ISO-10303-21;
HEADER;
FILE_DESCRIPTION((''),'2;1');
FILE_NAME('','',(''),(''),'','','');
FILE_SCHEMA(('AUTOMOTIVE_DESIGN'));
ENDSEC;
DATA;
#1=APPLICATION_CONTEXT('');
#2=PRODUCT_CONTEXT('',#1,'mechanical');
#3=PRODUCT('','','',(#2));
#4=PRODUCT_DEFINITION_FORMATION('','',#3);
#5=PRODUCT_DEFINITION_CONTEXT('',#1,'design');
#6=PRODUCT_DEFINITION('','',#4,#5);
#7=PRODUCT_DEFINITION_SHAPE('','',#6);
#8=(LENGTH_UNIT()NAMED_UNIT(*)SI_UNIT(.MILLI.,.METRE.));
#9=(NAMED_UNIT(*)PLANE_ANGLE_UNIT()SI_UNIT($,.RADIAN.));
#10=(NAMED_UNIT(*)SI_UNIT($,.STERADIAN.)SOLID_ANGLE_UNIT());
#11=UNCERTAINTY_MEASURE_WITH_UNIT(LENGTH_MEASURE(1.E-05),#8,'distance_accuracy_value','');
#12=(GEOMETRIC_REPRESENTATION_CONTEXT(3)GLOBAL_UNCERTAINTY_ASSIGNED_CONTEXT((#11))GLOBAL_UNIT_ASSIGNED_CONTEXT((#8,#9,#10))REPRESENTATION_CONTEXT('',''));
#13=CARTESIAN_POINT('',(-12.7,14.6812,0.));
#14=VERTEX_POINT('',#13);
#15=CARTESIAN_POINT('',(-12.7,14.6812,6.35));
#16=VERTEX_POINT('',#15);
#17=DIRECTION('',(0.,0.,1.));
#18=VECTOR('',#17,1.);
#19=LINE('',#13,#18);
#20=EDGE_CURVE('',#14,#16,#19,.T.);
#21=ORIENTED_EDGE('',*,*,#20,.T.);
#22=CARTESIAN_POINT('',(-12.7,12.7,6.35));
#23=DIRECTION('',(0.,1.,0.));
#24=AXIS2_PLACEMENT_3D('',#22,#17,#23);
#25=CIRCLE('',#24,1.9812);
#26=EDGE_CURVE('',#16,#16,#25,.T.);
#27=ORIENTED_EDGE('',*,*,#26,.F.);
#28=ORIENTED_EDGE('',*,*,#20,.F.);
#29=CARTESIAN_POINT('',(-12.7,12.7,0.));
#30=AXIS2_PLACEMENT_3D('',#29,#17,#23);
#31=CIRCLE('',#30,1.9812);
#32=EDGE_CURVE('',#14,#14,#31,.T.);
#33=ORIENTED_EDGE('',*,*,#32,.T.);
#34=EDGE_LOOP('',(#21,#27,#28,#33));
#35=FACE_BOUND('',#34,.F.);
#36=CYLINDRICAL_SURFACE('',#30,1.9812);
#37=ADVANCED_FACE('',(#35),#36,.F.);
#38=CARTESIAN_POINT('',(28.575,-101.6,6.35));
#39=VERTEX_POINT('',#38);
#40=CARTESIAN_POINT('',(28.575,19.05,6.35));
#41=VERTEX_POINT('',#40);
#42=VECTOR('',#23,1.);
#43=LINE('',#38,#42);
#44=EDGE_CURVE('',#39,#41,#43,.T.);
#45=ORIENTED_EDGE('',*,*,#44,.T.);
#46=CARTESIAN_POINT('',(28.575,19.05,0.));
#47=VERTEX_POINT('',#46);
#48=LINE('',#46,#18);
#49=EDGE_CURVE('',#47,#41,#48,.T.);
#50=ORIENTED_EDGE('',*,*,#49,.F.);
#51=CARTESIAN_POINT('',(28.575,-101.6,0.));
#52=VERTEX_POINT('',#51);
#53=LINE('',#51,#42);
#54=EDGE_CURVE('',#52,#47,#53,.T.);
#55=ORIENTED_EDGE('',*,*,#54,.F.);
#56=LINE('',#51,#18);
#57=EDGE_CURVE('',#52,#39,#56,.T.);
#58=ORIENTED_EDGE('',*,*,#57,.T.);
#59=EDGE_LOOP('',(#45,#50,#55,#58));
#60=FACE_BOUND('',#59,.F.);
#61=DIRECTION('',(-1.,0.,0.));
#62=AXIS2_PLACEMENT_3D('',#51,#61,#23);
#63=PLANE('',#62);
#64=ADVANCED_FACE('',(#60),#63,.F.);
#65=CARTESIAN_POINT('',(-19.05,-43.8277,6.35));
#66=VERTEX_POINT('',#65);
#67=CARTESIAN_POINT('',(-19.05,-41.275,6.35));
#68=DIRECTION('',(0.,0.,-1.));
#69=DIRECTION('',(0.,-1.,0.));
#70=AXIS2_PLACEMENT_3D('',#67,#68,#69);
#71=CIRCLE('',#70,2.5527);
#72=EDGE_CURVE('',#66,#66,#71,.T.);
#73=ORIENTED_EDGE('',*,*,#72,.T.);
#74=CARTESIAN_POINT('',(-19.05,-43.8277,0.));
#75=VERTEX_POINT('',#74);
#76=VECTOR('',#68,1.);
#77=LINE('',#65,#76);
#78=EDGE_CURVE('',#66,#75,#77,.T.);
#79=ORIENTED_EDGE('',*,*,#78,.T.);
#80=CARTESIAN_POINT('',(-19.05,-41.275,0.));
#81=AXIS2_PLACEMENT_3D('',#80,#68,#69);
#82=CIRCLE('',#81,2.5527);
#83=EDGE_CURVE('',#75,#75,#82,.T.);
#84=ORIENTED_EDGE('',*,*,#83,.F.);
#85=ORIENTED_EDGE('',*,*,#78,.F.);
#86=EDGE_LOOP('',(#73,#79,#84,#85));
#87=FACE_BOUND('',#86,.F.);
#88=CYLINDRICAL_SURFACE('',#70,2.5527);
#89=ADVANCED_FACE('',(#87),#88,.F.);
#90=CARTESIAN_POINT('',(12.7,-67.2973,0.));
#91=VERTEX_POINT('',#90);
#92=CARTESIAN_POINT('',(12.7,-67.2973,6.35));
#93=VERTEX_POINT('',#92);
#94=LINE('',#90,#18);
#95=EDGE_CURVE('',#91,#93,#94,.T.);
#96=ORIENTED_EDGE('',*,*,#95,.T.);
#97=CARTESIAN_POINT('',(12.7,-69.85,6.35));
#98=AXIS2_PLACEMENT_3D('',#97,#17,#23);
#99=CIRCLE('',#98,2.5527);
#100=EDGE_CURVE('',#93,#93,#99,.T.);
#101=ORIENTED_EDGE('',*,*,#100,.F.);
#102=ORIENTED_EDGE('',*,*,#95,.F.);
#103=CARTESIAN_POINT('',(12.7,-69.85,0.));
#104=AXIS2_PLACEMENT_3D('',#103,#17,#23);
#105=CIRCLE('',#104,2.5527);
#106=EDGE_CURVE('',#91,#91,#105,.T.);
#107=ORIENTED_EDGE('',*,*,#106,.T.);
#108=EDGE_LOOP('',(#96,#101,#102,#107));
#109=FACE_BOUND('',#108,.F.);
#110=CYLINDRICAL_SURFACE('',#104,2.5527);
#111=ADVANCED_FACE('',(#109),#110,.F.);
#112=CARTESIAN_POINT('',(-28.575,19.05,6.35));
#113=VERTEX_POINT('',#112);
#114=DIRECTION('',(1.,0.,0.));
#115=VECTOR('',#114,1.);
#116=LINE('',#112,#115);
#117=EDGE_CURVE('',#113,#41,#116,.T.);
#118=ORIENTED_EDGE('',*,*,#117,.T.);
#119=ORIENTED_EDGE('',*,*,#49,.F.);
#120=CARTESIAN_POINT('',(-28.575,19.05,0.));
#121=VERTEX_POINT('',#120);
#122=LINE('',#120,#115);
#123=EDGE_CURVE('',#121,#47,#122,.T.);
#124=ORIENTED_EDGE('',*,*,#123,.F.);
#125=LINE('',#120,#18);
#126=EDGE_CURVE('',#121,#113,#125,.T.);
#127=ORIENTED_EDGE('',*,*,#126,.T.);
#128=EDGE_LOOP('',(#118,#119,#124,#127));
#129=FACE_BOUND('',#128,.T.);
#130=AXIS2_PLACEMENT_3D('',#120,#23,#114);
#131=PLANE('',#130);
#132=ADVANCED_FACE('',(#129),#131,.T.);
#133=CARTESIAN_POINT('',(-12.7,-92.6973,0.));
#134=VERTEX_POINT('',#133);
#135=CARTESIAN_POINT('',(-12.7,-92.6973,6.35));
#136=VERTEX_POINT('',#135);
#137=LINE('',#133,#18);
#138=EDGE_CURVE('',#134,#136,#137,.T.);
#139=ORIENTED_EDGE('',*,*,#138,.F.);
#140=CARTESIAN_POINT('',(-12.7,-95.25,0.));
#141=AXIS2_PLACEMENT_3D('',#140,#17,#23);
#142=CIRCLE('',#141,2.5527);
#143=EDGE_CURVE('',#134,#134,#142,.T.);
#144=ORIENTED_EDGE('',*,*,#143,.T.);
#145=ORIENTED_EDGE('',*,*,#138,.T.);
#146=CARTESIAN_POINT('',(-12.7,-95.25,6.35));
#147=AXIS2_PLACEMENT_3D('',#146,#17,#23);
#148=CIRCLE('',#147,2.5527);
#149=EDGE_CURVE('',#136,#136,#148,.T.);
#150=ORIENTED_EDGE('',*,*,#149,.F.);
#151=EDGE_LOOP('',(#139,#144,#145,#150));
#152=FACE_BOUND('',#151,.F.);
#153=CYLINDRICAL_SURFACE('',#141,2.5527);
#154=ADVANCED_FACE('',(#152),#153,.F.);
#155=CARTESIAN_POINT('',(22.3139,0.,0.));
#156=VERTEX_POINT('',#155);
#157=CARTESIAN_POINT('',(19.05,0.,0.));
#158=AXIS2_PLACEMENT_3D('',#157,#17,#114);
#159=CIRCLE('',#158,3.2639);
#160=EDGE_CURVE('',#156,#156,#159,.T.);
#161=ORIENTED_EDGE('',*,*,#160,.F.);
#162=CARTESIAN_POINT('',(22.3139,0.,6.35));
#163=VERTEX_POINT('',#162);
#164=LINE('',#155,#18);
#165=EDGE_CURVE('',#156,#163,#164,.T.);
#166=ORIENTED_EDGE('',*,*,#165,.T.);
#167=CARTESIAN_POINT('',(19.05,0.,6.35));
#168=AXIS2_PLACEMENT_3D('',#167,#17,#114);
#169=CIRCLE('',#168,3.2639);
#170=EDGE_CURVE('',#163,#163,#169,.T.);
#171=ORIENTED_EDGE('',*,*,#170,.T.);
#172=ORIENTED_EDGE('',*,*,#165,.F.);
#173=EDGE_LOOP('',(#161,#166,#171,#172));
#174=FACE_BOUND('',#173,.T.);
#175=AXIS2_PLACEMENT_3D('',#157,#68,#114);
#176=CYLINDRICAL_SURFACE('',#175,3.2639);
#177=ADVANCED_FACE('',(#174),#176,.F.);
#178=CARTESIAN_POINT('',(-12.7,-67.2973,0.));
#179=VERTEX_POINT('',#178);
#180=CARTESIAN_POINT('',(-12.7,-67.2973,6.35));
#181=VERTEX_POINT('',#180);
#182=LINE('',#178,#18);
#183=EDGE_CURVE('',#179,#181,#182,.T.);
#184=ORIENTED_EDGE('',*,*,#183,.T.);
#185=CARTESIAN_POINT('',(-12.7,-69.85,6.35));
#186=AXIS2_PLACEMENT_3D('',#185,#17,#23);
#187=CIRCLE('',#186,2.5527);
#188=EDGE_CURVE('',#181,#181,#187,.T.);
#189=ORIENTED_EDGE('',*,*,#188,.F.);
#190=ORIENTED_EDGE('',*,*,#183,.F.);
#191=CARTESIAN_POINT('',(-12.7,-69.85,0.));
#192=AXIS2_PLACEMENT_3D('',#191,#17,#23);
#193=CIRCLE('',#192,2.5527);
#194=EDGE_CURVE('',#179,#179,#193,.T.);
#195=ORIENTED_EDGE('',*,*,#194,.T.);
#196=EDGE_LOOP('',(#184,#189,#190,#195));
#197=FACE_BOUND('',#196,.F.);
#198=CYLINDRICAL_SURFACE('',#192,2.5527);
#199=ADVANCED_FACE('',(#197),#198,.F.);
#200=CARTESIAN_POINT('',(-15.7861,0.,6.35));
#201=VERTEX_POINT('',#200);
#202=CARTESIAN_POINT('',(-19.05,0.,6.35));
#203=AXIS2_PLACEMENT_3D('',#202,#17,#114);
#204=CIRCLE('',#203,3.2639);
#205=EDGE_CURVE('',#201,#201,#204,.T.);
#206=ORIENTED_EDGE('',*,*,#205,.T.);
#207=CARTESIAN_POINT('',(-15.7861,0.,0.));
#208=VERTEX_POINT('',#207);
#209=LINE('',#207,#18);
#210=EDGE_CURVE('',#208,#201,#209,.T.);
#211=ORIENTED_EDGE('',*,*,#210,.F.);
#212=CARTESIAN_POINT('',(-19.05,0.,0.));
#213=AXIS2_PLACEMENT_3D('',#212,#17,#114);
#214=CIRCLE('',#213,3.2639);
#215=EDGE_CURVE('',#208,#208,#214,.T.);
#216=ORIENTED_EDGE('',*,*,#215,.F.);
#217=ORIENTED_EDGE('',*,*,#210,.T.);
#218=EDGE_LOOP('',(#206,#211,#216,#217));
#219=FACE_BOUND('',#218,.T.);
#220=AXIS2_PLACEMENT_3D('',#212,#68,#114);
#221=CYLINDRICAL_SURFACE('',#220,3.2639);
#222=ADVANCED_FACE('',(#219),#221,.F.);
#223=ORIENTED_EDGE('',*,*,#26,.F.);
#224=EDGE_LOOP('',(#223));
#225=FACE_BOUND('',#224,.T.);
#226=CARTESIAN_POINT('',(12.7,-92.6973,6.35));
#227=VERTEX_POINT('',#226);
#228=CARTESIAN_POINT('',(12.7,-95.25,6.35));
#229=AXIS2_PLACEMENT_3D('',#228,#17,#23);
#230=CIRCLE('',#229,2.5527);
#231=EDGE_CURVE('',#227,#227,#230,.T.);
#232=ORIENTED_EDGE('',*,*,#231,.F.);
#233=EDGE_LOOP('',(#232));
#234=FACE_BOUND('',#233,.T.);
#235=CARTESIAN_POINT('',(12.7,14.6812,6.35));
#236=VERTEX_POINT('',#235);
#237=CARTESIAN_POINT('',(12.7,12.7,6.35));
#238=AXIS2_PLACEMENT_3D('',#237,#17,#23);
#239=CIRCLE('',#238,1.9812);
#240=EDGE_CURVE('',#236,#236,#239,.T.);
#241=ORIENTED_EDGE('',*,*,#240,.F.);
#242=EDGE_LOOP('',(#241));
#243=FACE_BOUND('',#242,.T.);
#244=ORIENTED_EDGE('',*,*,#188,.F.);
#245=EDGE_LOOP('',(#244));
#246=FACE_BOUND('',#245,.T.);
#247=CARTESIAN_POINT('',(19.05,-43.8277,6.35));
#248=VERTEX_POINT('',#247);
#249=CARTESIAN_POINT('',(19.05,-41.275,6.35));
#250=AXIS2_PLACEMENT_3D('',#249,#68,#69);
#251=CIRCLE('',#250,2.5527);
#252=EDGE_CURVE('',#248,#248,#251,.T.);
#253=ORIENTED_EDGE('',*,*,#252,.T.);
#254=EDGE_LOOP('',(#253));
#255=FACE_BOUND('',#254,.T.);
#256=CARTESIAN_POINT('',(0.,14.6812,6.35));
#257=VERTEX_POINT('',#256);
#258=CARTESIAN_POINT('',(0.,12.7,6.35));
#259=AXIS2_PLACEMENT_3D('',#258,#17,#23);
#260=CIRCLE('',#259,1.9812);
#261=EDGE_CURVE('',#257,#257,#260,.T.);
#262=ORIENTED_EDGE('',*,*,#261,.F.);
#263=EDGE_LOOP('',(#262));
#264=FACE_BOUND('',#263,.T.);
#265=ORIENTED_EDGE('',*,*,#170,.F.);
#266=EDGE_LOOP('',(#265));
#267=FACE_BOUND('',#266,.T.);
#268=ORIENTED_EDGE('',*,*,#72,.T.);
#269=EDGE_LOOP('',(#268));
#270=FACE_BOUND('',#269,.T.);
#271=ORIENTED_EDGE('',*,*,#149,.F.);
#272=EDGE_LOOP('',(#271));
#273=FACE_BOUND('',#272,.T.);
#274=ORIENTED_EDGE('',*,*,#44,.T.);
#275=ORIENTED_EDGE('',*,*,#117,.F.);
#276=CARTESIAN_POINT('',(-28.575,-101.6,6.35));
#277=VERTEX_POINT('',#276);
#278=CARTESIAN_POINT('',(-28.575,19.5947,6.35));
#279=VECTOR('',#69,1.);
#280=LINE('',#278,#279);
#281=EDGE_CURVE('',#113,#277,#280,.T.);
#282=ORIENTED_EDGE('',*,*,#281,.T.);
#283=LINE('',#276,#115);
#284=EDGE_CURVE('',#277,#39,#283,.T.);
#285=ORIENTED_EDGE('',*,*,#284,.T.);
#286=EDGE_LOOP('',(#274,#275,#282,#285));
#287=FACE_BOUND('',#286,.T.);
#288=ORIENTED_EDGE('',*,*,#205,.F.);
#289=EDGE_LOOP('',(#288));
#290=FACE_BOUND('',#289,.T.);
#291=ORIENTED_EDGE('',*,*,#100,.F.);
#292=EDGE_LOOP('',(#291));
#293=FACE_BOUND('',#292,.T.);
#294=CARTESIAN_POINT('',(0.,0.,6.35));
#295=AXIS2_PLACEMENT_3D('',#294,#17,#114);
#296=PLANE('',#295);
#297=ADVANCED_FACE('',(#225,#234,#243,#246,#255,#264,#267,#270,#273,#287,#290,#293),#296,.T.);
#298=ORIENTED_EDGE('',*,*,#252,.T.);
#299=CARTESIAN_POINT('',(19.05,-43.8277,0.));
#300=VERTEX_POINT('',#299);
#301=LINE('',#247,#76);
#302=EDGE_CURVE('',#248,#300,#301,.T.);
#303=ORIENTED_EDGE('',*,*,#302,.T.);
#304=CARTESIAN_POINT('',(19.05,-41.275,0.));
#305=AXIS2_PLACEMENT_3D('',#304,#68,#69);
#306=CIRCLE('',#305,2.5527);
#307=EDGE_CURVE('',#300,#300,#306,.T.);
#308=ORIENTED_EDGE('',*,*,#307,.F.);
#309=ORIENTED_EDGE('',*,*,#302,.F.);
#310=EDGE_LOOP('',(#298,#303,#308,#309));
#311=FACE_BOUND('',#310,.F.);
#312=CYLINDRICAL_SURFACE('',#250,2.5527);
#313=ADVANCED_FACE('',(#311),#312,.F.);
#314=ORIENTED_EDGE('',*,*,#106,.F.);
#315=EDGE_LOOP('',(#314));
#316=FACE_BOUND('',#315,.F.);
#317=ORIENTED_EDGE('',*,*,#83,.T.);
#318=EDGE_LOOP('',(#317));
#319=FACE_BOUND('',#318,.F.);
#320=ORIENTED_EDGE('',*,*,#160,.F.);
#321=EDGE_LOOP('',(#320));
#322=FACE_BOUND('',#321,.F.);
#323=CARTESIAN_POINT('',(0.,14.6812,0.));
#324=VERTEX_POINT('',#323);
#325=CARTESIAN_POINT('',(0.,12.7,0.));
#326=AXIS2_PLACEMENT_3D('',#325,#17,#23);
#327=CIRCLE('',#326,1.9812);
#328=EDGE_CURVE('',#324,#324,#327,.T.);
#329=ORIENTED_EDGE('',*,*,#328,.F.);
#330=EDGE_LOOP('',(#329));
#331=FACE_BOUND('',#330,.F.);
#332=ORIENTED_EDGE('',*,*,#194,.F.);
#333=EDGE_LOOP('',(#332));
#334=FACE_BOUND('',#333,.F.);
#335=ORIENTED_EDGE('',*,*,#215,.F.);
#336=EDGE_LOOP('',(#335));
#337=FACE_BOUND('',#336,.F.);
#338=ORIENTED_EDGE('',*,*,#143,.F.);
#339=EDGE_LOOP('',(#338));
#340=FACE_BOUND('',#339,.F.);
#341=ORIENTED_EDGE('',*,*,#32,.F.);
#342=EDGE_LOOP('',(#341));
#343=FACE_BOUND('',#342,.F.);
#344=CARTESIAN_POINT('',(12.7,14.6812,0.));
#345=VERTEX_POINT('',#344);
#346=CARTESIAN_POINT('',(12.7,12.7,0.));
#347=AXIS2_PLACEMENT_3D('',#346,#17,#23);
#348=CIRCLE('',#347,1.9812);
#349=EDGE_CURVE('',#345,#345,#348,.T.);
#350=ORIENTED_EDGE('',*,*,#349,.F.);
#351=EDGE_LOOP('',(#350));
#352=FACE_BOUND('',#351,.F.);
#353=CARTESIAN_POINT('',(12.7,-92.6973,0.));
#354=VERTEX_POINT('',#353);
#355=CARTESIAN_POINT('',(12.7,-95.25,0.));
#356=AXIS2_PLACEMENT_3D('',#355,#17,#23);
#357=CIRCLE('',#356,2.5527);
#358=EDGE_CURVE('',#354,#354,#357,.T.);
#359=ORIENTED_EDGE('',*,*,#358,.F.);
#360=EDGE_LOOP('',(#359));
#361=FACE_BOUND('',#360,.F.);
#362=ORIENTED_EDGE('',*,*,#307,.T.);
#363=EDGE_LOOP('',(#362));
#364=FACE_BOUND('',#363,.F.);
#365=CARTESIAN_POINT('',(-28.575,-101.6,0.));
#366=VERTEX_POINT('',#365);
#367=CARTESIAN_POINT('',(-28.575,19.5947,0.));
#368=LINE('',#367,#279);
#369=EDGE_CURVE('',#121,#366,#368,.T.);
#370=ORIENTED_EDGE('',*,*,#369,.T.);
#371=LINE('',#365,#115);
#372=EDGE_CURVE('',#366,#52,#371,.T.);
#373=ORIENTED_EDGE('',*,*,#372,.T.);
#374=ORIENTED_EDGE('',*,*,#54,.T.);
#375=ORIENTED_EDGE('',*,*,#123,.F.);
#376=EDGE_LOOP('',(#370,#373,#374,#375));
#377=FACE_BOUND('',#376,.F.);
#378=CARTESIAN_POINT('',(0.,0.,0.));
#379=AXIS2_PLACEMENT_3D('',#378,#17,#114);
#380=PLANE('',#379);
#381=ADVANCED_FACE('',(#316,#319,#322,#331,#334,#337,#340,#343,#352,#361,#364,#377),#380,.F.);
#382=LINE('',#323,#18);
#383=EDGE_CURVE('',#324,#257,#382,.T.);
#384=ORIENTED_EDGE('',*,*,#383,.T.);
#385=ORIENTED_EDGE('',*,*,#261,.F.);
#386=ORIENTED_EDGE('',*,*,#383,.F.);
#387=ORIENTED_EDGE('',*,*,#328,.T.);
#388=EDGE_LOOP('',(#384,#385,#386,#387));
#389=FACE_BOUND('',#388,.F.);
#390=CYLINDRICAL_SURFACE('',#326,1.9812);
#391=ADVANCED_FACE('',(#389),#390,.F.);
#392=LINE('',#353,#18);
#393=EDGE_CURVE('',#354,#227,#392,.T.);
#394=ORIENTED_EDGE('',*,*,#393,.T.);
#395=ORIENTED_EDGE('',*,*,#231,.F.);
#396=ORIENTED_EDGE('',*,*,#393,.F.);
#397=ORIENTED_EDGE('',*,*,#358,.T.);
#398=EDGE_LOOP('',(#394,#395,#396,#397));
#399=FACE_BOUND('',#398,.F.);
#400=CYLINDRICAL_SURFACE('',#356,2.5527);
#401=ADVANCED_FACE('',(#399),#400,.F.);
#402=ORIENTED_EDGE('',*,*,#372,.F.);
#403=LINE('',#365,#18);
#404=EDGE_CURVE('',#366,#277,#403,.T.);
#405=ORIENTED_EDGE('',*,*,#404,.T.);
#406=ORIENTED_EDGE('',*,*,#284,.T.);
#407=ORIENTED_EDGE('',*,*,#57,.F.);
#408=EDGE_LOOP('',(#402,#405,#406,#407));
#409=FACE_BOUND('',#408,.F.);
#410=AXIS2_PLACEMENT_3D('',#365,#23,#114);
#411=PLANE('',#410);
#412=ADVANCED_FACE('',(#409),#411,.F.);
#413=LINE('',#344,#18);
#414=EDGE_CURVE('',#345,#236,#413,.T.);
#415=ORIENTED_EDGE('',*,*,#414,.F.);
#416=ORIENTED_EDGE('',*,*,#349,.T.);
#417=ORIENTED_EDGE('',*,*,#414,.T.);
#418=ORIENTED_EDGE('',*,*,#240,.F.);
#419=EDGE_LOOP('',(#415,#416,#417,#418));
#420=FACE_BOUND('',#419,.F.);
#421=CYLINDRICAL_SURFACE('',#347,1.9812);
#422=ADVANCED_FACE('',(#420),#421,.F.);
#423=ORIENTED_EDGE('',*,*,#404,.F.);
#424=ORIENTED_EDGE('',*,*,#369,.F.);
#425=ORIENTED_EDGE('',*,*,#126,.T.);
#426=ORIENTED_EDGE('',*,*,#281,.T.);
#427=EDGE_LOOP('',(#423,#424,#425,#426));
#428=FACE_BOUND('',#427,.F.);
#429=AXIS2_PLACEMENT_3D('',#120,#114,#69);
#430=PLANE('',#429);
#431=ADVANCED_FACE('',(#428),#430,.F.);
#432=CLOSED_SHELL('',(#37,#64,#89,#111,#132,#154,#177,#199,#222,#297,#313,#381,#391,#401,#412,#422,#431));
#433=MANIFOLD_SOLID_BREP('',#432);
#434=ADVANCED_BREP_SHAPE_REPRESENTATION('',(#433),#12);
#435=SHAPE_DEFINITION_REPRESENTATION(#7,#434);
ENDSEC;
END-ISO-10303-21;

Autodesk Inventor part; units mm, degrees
ref_plane "YZ Plane" through (0, 0, 0) normal (1, 0, 0) x (0, 1, 0)
ref_plane "XZ Plane" through (0, 0, 0) normal (0, 1, 0) x (-1, 0, 0)
ref_plane "XY Plane" through (0, 0, 0) normal (0, 0, 1) x (1, 0, 0)
sketch "Sketch1" plane through (0, 0, 0) normal (0, 0, 1) x (1, 0, 0)
  line L0 (-19.05, 0) -> (19.05, 0) construction
  circle A0 centre (-19.05, 0) radius 3.2639
  circle A1 centre (19.05, 0) radius 3.2639
  line L1 (-28.575, 19.5947) -> (-28.575, -101.6)
  line L2 (-28.575, -101.6) -> (28.575, -101.6)
  line L3 (28.575, -101.6) -> (28.575, 19.5947)
  line L4 (-26.7151, 24.0849) -> (-4.4901, 46.3099)
  line L5 (4.4901, 46.3099) -> (26.7151, 24.0849)
  arc A2 (4.4901, 46.3099) -> (-4.4901, 46.3099) centre (0, 41.8197) ccw
  arc A3 (-26.7151, 24.0849) -> (-28.575, 19.5947) centre (-22.225, 19.5947) ccw
  arc A4 (28.575, 19.5947) -> (26.7151, 24.0849) centre (22.225, 19.5947) ccw
  line L6 (-28.575, 19.05) -> (28.575, 19.05)
  line L7 (-12.7, 12.7) -> (12.7, 12.7) construction
  line L8 (-12.7, -69.85) -> (12.7, -69.85) construction
  point P0 (0, 0)
  point P1 (0, 0)
  point P2 (0, 50.8)
  point P3 (28.575, 22.225)
  point P4 (-28.575, 22.225)
  point P5 (0, -101.6)
  point P6 (0, 12.7)
  point P7 (0, 12.7)
  point P8 (-12.7, -95.25)
  point P9 (12.7, -95.25)
  point P10 (0, -69.85)
  dimension "d0" = 6.5278
  dimension "d1" = 38.1
  dimension "d4" = 101.6
  dimension "d17" = 152.4
  dimension "d18" = 57.15
  dimension "d19" = 6.35
  dimension "d20" = 120.65
  dimension "d21" = 25.4
  dimension "d29" = 6.35
  dimension "d32" = 25.4
  dimension "d33" = 25.4
  dimension "d34" = 6.35
  dimension "d42" = 12.7
  dimension "d43" = 19.05
extrude "Extrusion1" add sketch "Sketch1" along normal blind 6.35 contours L6 L3 L2 L1
sketch "Sketch2" plane through (0, 0, 6.35) normal (0, 0, 1) x (1, 0, 0)
  line L0 (-19.05, -41.275) -> (19.05, -41.275) construction
  line L1 (-28.575, -101.6) -> (28.575, -101.6) projected
  point P0 (0, 0)
  point P1 (0, -41.275)
  dimension "d8" = 38.1
  dimension "d9" = 60.325
hole "Hole1" at (-19.05, -41.275, 6.35) at (19.05, -41.275, 6.35) direction (0, 0, -1) diameter 5.1054 end through all clearance for "Flat Head Machine Screw (82)" size "#10" standard "Ansi Unified Screw Threads"
hole "Hole2" at (-12.7, 12.7, 0) at (0, 12.7, 0) at (12.7, 12.7, 0) direction (0, 0, 1) diameter 3.9624 end through all thread size "10-32 UNF" class "2B" standard "ANSI Unified Screw Threads"
hole "Hole3" at (-12.7, -69.85, 0) at (12.7, -69.85, 0) at (-12.7, -95.25, 0) at (12.7, -95.25, 0) direction (0, 0, 1) diameter 5.1054 end through all clearance for "Flat Head Machine Screw (82)" size "#10" standard "Ansi Unified Screw Threads"
properties part number "CL7-005" material "Aluminum 6061"
